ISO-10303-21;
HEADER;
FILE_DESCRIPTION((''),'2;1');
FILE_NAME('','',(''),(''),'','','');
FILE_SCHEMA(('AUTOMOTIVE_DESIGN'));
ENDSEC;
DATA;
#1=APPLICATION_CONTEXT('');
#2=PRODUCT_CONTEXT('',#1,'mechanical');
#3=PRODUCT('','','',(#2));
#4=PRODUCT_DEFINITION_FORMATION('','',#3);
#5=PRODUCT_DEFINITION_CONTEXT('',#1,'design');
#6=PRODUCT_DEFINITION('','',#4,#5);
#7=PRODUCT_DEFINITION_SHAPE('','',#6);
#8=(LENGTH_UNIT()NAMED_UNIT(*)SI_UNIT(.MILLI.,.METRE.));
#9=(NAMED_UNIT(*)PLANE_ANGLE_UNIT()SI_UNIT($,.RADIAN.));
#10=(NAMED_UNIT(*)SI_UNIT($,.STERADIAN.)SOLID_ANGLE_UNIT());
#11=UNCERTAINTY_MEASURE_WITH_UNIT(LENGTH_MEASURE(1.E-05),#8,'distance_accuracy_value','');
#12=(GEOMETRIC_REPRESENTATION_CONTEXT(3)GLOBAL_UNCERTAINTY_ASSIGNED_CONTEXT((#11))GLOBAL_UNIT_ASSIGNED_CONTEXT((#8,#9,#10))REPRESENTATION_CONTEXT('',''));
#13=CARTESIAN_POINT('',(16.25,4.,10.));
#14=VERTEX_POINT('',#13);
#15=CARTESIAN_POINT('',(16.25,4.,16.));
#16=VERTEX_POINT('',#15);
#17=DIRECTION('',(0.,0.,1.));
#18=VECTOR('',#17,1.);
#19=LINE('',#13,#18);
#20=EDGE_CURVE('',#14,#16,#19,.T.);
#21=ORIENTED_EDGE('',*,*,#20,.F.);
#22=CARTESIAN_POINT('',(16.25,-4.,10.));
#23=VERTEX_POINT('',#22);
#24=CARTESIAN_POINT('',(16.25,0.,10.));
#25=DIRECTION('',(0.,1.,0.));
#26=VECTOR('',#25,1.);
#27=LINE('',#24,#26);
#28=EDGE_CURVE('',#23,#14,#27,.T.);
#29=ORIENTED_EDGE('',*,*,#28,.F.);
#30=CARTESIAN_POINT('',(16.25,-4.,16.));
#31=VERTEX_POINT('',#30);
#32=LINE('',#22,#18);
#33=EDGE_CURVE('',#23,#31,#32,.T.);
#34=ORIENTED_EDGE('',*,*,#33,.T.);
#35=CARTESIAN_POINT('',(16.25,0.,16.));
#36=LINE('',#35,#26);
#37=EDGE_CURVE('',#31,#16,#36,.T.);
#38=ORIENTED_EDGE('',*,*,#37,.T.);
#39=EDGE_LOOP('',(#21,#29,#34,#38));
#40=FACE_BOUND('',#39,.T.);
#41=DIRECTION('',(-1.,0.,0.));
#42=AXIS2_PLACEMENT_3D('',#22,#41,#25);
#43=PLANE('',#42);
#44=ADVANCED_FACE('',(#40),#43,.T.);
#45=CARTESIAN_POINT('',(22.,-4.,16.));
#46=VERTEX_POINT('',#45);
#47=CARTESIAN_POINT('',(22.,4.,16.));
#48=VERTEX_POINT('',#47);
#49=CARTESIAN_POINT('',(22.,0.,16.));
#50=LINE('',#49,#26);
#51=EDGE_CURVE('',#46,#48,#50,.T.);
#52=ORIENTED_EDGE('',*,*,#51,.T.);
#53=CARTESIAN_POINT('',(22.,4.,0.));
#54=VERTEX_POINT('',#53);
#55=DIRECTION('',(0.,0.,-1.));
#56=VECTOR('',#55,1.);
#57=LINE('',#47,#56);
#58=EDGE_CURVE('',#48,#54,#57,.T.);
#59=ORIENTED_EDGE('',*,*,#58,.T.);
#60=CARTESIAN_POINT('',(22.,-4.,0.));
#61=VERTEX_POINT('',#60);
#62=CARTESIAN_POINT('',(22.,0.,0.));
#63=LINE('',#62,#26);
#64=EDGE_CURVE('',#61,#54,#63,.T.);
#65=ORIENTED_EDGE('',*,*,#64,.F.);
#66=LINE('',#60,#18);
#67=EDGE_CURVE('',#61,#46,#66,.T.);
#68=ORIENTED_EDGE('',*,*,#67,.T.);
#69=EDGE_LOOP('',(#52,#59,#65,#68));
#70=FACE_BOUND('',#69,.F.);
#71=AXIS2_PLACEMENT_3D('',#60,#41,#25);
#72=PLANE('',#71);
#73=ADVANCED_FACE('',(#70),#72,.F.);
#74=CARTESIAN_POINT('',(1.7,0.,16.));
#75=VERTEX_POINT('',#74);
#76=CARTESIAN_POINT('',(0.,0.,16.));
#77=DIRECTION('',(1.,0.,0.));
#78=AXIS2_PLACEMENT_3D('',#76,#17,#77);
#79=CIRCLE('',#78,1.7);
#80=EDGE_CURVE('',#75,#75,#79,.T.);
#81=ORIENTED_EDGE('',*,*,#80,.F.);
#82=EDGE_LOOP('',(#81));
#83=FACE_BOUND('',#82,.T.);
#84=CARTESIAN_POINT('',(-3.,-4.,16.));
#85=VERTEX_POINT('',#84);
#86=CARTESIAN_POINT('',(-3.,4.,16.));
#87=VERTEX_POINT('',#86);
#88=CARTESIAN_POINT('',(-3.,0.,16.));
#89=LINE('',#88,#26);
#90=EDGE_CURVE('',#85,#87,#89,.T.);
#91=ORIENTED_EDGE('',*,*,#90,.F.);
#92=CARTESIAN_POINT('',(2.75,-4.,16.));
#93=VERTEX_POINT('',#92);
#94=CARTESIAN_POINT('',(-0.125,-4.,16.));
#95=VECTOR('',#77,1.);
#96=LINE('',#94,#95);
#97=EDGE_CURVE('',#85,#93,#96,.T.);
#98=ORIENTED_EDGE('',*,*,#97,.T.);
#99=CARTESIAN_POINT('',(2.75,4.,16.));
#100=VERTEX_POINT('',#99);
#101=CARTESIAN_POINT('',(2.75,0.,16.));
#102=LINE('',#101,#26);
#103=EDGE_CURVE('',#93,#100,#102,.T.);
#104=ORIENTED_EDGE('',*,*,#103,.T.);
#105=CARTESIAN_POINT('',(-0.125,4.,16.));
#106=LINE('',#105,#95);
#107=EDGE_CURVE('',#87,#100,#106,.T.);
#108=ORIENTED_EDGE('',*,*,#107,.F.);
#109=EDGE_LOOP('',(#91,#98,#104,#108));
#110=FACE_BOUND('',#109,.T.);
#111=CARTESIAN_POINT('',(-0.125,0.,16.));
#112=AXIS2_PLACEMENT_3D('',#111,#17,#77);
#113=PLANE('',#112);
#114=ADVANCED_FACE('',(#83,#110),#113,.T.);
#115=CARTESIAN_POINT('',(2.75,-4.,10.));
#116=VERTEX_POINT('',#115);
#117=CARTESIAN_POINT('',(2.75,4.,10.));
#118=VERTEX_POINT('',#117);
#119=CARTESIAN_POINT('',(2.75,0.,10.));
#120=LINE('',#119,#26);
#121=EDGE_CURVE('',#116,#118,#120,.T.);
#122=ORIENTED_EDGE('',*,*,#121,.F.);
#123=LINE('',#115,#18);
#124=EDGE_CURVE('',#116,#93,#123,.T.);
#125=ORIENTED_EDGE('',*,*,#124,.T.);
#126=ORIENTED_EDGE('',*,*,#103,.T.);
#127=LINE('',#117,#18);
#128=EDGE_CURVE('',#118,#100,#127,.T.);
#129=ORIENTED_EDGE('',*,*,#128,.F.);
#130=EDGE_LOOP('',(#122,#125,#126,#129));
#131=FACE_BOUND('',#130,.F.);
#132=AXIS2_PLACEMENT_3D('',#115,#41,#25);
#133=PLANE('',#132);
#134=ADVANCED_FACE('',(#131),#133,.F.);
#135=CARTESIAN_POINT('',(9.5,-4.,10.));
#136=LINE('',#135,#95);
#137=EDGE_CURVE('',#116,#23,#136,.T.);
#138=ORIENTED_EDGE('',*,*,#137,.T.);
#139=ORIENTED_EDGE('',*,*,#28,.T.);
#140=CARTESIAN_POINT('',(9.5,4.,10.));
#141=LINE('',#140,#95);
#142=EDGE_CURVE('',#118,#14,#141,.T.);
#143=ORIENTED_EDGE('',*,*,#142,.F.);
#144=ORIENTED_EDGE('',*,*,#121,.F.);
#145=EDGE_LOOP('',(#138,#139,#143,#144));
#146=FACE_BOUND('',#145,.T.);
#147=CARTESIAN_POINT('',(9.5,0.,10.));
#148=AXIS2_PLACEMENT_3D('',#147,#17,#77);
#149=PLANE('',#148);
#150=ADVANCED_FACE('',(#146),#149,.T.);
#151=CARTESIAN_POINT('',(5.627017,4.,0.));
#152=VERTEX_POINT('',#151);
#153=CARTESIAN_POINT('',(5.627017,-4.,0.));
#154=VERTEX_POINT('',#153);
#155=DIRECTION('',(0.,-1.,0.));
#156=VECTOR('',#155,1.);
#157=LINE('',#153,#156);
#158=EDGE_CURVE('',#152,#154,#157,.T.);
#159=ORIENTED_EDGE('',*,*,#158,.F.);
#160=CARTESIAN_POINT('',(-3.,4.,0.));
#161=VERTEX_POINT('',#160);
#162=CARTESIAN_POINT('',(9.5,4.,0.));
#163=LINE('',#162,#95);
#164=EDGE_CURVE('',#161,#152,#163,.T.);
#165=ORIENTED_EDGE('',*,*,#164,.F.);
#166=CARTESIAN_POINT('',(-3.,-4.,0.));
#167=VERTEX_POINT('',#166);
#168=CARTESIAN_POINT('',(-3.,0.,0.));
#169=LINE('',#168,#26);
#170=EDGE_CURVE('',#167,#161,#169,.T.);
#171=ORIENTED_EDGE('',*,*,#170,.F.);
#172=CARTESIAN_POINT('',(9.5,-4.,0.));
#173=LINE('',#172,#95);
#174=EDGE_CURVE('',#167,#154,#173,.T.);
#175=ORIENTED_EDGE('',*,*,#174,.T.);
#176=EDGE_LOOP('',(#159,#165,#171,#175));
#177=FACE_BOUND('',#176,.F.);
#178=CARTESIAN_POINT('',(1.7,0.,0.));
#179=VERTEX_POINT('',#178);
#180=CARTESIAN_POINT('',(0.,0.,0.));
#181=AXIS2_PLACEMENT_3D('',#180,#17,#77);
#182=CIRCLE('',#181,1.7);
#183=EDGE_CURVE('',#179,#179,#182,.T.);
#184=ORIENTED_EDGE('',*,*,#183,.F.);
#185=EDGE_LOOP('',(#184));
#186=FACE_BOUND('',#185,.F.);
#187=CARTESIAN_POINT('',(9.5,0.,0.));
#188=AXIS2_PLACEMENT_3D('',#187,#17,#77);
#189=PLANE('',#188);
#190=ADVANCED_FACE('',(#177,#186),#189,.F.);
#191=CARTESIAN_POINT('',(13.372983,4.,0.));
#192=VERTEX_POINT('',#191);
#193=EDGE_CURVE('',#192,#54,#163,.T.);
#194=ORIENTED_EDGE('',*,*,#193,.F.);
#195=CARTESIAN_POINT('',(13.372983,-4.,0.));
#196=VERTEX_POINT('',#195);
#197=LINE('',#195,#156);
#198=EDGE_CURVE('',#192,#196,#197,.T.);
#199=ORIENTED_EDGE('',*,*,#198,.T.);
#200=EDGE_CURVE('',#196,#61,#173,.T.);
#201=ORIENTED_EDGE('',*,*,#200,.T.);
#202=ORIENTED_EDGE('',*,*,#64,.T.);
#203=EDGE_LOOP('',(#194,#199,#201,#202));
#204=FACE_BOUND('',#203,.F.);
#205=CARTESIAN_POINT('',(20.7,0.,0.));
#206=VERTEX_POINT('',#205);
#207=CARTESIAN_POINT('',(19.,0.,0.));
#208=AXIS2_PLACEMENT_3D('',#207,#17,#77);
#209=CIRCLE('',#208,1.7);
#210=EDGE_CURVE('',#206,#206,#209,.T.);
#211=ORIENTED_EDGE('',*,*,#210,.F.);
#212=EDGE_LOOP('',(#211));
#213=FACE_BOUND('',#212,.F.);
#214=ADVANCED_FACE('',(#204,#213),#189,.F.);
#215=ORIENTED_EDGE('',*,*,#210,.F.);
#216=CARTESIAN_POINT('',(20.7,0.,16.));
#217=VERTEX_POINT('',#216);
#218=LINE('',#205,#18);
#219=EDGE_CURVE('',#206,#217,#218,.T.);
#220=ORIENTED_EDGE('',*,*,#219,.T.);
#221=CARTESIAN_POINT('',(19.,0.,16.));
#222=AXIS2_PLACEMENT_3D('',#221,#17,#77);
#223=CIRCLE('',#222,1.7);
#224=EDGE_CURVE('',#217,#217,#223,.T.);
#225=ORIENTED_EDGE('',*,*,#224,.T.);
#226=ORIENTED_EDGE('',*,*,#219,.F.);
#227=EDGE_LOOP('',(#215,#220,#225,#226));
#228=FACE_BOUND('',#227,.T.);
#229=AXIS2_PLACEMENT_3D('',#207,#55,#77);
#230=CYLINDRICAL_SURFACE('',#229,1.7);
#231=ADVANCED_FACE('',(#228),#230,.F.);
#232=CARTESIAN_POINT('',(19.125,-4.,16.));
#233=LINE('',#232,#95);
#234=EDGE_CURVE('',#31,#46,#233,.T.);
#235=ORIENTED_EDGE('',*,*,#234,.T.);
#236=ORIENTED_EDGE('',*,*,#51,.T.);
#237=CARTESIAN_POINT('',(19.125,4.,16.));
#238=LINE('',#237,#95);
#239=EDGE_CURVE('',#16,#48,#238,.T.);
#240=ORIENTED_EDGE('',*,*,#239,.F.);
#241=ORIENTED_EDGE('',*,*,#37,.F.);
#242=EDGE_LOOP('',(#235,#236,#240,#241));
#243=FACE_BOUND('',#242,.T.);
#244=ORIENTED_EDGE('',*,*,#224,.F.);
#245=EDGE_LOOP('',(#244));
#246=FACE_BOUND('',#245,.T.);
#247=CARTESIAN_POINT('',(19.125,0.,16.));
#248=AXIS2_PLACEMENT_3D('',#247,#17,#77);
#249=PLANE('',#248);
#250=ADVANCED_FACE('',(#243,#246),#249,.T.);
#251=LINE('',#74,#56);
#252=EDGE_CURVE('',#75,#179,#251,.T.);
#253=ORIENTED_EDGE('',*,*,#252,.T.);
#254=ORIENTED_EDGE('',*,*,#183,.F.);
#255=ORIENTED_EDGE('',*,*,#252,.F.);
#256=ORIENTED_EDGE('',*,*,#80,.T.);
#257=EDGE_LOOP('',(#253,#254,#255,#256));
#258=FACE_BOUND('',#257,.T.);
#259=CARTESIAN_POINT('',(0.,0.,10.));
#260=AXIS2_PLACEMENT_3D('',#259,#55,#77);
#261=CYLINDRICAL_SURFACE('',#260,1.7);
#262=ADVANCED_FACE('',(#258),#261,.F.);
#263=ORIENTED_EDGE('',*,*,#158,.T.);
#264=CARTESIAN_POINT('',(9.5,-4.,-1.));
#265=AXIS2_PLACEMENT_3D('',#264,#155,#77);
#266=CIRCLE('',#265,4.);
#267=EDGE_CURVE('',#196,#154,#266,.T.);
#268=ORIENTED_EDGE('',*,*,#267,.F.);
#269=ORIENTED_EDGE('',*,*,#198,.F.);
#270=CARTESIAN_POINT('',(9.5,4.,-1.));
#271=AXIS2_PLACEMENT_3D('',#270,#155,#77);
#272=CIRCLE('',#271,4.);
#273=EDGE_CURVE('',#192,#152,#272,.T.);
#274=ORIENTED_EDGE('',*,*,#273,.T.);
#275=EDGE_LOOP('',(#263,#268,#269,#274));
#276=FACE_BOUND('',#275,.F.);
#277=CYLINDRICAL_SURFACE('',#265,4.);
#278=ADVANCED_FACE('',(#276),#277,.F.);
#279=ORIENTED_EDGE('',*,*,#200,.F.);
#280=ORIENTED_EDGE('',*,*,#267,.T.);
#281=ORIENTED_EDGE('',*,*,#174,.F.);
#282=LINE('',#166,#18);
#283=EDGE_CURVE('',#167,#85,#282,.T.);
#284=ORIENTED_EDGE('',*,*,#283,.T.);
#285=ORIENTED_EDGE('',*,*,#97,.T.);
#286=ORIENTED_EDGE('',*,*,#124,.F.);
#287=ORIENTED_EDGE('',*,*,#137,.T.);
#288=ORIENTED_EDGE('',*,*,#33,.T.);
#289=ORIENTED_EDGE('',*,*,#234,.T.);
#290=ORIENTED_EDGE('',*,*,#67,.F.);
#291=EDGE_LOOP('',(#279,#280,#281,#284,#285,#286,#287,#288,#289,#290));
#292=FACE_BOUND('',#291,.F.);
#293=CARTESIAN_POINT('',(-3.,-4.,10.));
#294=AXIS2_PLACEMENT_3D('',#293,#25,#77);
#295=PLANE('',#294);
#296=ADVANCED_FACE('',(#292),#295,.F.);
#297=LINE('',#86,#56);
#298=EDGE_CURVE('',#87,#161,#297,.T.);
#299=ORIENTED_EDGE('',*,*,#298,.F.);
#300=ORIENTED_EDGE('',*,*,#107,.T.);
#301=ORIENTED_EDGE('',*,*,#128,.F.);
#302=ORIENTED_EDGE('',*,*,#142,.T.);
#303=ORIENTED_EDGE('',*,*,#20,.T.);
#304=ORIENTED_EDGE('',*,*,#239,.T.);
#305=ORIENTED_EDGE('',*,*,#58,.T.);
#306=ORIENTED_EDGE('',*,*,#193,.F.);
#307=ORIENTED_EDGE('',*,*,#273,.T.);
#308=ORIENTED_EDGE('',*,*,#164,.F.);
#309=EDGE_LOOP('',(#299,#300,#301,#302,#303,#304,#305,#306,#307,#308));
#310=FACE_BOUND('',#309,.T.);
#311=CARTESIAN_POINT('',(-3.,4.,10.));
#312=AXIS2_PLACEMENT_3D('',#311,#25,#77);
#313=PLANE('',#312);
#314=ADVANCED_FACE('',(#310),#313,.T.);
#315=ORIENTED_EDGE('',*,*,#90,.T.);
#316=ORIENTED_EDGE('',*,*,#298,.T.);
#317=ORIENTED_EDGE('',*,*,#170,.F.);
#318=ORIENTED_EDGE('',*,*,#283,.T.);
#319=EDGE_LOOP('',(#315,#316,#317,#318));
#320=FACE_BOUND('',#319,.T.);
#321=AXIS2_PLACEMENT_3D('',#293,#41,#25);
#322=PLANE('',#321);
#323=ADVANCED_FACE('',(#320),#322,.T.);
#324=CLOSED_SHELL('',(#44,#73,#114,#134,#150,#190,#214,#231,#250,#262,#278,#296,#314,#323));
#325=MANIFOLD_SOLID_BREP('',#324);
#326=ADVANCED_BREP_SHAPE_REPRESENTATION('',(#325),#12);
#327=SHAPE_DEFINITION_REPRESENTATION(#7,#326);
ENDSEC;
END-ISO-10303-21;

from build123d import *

# Parameters (mm, degrees)
SKETCH_W     = 25
SKETCH_H     = 8
SKETCH_R     = 1.7
PAD_DEPTH    = 10
SKETCH002_R  = 4
POCKET_DEPTH = 8.001
SKETCH003_W  = 5.75
SKETCH003_H  = 8
SKETCH003_R  = 1.7
PAD001_DEPTH = 6


with BuildPart() as part:
    # Sketch → Pad (new body)
    with BuildSketch(Plane.XY):
        with Locations((9.5, 0)):
            Rectangle(SKETCH_W, SKETCH_H)
        Circle(SKETCH_R, mode=Mode.SUBTRACT)
        with Locations((19, 0)):
            Circle(SKETCH_R, mode=Mode.SUBTRACT)
    extrude(amount=PAD_DEPTH)

    # Sketch002 → Pocket (cut, through all)
    with BuildSketch(Plane.XZ.offset(4)):
        with Locations((9.5, -1)):
            Circle(SKETCH002_R)
    extrude(amount=-POCKET_DEPTH, mode=Mode.SUBTRACT)

    # Sketch003 → Pad001 (new body)
    with BuildSketch(Plane.XY.offset(10)):
        with Locations((-0.125, 0)):
            Rectangle(SKETCH003_W, SKETCH003_H)
        Circle(SKETCH003_R, mode=Mode.SUBTRACT)
        with Locations((19.125, 0)):
            Rectangle(SKETCH003_W, SKETCH003_H)
        with Locations((19, 0)):
            Circle(SKETCH003_R, mode=Mode.SUBTRACT)
    extrude(amount=PAD001_DEPTH)


solid = part.part
